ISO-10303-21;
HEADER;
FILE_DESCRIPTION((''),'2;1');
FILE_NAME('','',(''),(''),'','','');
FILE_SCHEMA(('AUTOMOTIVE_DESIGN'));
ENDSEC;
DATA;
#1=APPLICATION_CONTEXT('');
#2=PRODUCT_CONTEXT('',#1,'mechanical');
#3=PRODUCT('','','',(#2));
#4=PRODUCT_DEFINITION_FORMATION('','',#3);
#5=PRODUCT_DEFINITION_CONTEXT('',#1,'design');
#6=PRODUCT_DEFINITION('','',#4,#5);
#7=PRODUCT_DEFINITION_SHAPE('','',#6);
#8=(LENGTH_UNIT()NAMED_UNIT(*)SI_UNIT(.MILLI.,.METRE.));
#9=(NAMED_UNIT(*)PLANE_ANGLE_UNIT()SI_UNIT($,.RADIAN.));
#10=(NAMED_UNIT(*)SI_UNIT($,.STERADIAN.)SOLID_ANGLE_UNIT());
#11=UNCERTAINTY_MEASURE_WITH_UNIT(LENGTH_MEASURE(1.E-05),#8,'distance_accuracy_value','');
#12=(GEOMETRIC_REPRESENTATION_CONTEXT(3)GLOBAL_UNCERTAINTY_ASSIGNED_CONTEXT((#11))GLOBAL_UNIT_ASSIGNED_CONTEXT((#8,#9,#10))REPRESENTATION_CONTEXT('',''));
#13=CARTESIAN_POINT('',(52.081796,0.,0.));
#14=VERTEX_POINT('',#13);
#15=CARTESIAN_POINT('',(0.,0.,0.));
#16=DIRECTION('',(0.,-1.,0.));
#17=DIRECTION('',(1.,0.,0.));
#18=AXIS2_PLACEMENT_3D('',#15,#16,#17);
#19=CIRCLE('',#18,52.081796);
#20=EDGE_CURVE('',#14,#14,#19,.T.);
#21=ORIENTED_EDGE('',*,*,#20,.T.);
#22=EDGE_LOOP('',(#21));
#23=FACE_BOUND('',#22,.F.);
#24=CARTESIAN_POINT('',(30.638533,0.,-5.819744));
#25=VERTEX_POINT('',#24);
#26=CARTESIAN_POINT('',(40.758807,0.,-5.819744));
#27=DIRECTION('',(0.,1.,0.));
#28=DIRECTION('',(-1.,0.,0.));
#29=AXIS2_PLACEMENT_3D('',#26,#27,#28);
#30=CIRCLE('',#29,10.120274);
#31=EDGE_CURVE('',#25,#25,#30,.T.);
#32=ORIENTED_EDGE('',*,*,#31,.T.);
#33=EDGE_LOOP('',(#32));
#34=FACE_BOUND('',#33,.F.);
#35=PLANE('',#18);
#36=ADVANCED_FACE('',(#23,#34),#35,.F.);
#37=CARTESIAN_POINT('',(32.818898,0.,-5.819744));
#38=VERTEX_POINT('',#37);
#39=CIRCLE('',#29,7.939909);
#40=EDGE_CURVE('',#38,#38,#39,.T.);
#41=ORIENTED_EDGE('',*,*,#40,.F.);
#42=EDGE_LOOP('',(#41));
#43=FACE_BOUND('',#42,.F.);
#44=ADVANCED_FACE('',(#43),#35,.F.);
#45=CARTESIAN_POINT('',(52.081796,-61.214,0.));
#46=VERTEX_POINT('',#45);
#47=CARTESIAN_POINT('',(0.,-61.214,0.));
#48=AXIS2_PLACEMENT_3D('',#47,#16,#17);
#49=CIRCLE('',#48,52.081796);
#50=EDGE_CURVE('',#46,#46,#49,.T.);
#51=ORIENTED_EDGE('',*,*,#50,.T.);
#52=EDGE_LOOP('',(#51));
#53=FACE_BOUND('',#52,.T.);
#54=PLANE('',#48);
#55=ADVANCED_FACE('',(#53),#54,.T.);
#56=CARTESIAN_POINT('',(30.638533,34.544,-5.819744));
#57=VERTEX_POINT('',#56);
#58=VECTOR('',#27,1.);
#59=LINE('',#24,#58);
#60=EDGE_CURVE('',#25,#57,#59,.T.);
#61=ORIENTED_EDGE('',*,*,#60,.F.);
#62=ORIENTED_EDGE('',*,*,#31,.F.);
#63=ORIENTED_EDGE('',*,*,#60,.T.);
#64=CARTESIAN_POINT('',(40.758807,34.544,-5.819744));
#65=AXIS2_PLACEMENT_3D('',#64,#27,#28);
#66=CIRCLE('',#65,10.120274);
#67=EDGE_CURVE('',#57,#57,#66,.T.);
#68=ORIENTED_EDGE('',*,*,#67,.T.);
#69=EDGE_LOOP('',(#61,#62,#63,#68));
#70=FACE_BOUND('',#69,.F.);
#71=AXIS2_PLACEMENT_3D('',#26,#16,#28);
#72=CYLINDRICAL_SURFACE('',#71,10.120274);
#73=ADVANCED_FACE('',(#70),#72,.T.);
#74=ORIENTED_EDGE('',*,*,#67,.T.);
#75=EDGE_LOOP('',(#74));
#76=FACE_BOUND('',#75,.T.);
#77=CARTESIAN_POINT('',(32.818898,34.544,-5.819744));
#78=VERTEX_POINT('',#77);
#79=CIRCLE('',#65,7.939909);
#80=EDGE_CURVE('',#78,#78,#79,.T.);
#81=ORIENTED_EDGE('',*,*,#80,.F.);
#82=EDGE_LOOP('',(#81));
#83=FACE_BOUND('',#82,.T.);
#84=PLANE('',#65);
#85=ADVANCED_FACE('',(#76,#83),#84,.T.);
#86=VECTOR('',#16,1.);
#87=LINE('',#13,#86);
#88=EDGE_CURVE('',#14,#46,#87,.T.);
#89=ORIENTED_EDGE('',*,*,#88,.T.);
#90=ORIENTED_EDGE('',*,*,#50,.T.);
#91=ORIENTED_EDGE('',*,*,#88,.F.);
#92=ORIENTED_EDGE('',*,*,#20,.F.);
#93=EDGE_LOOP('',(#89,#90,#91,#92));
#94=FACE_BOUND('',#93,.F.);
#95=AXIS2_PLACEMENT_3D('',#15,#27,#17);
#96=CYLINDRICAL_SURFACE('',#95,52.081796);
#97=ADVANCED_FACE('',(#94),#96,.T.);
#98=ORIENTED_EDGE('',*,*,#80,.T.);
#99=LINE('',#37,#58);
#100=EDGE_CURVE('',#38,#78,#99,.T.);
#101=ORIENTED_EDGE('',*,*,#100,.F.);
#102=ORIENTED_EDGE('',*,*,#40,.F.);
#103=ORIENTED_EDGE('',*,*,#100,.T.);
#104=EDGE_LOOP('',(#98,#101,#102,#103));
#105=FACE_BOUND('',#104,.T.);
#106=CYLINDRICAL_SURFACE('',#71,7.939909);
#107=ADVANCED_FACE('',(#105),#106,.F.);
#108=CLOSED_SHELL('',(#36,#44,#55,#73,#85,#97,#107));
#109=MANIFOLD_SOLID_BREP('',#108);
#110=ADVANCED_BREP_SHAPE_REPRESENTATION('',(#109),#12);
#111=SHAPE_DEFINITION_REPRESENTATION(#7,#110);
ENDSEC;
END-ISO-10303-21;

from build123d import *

# Parameters (mm, degrees)
F0_R     = 52.081796
F1_DEPTH = 61.214
F2_R     = 10.120274
F2_R_2   = 7.939909
F3_DEPTH = 34.544


with BuildPart() as f1:
    # F0 (on Front) → F1 (new body)
    with BuildSketch(Plane.XZ):
        Circle(F0_R)
    extrude(amount=F1_DEPTH)

    # F2 (on face) → F3 (join)
    with BuildSketch(Plane(origin=(0, 0, 0), x_dir=(-1, 0, 0), z_dir=(0, 1, 0))):
        with Locations((-40.758807, -5.819744)):
            Circle(F2_R)
        with Locations((-40.758807, -5.819744)):
            Circle(F2_R_2, mode=Mode.SUBTRACT)
    extrude(amount=F3_DEPTH)


solid = f1.part
